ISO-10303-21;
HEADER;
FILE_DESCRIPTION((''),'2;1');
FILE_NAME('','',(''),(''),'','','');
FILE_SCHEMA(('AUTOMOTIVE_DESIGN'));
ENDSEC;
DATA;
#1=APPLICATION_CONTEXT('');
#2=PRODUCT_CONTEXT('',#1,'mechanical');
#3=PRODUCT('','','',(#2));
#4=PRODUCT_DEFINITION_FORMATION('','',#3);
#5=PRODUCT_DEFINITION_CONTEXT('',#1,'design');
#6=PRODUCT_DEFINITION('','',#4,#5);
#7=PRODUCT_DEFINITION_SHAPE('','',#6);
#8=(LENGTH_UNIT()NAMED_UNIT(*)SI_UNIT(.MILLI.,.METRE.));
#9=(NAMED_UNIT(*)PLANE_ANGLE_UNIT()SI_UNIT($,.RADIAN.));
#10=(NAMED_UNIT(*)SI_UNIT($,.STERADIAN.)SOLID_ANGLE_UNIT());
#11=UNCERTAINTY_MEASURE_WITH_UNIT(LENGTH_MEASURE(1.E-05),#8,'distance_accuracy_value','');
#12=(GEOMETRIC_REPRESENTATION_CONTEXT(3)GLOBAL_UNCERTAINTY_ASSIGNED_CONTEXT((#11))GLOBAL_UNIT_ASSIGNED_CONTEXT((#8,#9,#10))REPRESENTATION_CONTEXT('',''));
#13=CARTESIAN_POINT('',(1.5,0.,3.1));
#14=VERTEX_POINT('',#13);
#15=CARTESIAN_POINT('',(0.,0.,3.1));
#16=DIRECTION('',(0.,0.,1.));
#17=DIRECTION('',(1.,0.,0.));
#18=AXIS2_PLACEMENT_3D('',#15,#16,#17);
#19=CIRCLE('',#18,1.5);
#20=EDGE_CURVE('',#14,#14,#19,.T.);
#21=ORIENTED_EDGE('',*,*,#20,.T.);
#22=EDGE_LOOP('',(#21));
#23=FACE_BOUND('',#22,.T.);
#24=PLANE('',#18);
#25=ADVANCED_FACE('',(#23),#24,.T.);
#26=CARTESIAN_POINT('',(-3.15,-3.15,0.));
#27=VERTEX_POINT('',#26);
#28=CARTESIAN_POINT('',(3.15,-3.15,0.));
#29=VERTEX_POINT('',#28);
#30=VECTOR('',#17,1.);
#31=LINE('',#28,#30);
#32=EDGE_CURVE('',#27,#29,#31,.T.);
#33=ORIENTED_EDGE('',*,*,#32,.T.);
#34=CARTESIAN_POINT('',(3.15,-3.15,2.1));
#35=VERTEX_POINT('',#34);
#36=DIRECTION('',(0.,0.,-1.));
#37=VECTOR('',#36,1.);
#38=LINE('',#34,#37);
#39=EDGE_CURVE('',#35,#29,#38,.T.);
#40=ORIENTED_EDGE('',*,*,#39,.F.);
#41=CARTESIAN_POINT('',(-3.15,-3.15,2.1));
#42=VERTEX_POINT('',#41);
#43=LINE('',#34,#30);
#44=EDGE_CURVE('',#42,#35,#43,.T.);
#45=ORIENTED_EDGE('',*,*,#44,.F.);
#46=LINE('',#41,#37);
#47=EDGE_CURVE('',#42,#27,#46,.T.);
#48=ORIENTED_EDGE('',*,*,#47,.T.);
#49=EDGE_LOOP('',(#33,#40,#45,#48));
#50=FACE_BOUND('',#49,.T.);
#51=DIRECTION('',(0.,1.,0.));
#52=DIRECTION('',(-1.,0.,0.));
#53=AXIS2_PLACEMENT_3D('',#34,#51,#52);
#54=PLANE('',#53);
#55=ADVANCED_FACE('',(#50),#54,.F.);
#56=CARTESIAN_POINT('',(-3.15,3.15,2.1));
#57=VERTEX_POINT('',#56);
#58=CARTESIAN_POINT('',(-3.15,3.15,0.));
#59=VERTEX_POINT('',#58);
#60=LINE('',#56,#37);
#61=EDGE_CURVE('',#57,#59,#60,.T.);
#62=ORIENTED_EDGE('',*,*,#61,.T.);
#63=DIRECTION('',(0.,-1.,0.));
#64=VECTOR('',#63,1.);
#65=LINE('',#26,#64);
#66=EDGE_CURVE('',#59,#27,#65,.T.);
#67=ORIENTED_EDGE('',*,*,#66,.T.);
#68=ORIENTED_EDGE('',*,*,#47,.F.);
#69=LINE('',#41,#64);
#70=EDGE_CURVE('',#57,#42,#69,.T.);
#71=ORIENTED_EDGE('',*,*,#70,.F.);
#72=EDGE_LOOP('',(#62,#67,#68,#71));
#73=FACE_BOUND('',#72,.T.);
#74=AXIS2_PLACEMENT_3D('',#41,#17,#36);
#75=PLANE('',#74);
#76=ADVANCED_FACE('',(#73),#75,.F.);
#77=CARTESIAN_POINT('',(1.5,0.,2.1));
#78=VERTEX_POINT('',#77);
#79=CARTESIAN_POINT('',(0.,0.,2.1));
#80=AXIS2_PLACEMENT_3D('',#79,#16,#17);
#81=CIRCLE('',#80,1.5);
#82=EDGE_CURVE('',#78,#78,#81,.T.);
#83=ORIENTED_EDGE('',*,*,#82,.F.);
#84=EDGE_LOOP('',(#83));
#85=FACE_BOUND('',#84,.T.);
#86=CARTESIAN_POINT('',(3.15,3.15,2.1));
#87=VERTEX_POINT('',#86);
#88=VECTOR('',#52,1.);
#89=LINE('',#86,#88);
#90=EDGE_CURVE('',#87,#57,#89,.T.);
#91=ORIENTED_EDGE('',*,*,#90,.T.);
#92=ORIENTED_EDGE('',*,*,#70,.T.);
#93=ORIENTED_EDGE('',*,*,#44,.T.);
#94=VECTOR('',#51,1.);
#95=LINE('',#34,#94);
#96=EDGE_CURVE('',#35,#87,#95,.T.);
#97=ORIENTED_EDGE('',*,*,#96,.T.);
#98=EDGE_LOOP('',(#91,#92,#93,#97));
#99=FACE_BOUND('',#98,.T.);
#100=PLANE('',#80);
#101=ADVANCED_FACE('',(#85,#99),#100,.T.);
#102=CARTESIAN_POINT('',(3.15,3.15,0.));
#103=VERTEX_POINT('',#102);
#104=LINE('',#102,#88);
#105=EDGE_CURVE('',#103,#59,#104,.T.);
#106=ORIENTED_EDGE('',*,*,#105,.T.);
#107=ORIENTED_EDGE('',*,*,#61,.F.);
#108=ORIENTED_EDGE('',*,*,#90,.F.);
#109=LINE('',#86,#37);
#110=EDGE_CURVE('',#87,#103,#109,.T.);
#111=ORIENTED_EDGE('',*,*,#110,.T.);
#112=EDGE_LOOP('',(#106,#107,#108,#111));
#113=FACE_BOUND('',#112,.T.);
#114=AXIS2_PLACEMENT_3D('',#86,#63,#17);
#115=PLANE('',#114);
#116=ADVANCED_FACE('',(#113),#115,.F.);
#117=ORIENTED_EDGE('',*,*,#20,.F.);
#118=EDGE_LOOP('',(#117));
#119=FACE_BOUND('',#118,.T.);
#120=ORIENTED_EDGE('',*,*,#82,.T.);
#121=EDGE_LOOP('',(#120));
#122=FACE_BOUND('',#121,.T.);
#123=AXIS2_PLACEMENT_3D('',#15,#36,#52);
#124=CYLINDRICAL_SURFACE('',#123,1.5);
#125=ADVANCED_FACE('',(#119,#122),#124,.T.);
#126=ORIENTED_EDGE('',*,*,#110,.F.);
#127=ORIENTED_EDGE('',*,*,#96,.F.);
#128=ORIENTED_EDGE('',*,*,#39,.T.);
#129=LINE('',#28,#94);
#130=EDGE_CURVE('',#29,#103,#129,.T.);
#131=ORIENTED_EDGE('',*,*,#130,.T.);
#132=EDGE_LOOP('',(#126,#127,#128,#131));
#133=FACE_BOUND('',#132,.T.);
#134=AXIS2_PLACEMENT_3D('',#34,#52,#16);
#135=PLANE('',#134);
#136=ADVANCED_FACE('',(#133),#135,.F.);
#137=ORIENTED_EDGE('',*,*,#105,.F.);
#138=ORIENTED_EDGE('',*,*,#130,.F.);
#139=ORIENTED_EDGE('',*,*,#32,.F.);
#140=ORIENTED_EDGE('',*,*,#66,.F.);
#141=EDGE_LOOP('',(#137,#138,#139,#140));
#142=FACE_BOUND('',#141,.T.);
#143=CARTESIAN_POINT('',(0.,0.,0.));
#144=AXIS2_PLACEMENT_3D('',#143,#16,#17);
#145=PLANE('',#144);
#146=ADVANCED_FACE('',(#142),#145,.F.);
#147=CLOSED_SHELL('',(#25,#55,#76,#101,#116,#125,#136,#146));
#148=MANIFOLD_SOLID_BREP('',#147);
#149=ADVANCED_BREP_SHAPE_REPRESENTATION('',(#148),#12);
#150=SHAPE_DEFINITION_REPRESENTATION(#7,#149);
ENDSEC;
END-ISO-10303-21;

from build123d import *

# Parameters (mm, degrees)
CROQUIS1_W              = 6.3
CROQUIS1_H              = 6.3
SALIENTE_EXTRUIR1_DEPTH = 2.1
CROQUIS2_R              = 1.5
SALIENTE_EXTRUIR2_DEPTH = 1


with BuildPart() as part:
    # Croquis1 → Saliente-Extruir1 (new body)
    with BuildSketch(Plane.XY):
        Rectangle(CROQUIS1_W, CROQUIS1_H)
    extrude(amount=SALIENTE_EXTRUIR1_DEPTH)

    # Croquis2 → Saliente-Extruir2 (add)
    with BuildSketch(Plane.XY.offset(2.1)):
        Circle(CROQUIS2_R)
    extrude(amount=SALIENTE_EXTRUIR2_DEPTH)


solid = part.part
